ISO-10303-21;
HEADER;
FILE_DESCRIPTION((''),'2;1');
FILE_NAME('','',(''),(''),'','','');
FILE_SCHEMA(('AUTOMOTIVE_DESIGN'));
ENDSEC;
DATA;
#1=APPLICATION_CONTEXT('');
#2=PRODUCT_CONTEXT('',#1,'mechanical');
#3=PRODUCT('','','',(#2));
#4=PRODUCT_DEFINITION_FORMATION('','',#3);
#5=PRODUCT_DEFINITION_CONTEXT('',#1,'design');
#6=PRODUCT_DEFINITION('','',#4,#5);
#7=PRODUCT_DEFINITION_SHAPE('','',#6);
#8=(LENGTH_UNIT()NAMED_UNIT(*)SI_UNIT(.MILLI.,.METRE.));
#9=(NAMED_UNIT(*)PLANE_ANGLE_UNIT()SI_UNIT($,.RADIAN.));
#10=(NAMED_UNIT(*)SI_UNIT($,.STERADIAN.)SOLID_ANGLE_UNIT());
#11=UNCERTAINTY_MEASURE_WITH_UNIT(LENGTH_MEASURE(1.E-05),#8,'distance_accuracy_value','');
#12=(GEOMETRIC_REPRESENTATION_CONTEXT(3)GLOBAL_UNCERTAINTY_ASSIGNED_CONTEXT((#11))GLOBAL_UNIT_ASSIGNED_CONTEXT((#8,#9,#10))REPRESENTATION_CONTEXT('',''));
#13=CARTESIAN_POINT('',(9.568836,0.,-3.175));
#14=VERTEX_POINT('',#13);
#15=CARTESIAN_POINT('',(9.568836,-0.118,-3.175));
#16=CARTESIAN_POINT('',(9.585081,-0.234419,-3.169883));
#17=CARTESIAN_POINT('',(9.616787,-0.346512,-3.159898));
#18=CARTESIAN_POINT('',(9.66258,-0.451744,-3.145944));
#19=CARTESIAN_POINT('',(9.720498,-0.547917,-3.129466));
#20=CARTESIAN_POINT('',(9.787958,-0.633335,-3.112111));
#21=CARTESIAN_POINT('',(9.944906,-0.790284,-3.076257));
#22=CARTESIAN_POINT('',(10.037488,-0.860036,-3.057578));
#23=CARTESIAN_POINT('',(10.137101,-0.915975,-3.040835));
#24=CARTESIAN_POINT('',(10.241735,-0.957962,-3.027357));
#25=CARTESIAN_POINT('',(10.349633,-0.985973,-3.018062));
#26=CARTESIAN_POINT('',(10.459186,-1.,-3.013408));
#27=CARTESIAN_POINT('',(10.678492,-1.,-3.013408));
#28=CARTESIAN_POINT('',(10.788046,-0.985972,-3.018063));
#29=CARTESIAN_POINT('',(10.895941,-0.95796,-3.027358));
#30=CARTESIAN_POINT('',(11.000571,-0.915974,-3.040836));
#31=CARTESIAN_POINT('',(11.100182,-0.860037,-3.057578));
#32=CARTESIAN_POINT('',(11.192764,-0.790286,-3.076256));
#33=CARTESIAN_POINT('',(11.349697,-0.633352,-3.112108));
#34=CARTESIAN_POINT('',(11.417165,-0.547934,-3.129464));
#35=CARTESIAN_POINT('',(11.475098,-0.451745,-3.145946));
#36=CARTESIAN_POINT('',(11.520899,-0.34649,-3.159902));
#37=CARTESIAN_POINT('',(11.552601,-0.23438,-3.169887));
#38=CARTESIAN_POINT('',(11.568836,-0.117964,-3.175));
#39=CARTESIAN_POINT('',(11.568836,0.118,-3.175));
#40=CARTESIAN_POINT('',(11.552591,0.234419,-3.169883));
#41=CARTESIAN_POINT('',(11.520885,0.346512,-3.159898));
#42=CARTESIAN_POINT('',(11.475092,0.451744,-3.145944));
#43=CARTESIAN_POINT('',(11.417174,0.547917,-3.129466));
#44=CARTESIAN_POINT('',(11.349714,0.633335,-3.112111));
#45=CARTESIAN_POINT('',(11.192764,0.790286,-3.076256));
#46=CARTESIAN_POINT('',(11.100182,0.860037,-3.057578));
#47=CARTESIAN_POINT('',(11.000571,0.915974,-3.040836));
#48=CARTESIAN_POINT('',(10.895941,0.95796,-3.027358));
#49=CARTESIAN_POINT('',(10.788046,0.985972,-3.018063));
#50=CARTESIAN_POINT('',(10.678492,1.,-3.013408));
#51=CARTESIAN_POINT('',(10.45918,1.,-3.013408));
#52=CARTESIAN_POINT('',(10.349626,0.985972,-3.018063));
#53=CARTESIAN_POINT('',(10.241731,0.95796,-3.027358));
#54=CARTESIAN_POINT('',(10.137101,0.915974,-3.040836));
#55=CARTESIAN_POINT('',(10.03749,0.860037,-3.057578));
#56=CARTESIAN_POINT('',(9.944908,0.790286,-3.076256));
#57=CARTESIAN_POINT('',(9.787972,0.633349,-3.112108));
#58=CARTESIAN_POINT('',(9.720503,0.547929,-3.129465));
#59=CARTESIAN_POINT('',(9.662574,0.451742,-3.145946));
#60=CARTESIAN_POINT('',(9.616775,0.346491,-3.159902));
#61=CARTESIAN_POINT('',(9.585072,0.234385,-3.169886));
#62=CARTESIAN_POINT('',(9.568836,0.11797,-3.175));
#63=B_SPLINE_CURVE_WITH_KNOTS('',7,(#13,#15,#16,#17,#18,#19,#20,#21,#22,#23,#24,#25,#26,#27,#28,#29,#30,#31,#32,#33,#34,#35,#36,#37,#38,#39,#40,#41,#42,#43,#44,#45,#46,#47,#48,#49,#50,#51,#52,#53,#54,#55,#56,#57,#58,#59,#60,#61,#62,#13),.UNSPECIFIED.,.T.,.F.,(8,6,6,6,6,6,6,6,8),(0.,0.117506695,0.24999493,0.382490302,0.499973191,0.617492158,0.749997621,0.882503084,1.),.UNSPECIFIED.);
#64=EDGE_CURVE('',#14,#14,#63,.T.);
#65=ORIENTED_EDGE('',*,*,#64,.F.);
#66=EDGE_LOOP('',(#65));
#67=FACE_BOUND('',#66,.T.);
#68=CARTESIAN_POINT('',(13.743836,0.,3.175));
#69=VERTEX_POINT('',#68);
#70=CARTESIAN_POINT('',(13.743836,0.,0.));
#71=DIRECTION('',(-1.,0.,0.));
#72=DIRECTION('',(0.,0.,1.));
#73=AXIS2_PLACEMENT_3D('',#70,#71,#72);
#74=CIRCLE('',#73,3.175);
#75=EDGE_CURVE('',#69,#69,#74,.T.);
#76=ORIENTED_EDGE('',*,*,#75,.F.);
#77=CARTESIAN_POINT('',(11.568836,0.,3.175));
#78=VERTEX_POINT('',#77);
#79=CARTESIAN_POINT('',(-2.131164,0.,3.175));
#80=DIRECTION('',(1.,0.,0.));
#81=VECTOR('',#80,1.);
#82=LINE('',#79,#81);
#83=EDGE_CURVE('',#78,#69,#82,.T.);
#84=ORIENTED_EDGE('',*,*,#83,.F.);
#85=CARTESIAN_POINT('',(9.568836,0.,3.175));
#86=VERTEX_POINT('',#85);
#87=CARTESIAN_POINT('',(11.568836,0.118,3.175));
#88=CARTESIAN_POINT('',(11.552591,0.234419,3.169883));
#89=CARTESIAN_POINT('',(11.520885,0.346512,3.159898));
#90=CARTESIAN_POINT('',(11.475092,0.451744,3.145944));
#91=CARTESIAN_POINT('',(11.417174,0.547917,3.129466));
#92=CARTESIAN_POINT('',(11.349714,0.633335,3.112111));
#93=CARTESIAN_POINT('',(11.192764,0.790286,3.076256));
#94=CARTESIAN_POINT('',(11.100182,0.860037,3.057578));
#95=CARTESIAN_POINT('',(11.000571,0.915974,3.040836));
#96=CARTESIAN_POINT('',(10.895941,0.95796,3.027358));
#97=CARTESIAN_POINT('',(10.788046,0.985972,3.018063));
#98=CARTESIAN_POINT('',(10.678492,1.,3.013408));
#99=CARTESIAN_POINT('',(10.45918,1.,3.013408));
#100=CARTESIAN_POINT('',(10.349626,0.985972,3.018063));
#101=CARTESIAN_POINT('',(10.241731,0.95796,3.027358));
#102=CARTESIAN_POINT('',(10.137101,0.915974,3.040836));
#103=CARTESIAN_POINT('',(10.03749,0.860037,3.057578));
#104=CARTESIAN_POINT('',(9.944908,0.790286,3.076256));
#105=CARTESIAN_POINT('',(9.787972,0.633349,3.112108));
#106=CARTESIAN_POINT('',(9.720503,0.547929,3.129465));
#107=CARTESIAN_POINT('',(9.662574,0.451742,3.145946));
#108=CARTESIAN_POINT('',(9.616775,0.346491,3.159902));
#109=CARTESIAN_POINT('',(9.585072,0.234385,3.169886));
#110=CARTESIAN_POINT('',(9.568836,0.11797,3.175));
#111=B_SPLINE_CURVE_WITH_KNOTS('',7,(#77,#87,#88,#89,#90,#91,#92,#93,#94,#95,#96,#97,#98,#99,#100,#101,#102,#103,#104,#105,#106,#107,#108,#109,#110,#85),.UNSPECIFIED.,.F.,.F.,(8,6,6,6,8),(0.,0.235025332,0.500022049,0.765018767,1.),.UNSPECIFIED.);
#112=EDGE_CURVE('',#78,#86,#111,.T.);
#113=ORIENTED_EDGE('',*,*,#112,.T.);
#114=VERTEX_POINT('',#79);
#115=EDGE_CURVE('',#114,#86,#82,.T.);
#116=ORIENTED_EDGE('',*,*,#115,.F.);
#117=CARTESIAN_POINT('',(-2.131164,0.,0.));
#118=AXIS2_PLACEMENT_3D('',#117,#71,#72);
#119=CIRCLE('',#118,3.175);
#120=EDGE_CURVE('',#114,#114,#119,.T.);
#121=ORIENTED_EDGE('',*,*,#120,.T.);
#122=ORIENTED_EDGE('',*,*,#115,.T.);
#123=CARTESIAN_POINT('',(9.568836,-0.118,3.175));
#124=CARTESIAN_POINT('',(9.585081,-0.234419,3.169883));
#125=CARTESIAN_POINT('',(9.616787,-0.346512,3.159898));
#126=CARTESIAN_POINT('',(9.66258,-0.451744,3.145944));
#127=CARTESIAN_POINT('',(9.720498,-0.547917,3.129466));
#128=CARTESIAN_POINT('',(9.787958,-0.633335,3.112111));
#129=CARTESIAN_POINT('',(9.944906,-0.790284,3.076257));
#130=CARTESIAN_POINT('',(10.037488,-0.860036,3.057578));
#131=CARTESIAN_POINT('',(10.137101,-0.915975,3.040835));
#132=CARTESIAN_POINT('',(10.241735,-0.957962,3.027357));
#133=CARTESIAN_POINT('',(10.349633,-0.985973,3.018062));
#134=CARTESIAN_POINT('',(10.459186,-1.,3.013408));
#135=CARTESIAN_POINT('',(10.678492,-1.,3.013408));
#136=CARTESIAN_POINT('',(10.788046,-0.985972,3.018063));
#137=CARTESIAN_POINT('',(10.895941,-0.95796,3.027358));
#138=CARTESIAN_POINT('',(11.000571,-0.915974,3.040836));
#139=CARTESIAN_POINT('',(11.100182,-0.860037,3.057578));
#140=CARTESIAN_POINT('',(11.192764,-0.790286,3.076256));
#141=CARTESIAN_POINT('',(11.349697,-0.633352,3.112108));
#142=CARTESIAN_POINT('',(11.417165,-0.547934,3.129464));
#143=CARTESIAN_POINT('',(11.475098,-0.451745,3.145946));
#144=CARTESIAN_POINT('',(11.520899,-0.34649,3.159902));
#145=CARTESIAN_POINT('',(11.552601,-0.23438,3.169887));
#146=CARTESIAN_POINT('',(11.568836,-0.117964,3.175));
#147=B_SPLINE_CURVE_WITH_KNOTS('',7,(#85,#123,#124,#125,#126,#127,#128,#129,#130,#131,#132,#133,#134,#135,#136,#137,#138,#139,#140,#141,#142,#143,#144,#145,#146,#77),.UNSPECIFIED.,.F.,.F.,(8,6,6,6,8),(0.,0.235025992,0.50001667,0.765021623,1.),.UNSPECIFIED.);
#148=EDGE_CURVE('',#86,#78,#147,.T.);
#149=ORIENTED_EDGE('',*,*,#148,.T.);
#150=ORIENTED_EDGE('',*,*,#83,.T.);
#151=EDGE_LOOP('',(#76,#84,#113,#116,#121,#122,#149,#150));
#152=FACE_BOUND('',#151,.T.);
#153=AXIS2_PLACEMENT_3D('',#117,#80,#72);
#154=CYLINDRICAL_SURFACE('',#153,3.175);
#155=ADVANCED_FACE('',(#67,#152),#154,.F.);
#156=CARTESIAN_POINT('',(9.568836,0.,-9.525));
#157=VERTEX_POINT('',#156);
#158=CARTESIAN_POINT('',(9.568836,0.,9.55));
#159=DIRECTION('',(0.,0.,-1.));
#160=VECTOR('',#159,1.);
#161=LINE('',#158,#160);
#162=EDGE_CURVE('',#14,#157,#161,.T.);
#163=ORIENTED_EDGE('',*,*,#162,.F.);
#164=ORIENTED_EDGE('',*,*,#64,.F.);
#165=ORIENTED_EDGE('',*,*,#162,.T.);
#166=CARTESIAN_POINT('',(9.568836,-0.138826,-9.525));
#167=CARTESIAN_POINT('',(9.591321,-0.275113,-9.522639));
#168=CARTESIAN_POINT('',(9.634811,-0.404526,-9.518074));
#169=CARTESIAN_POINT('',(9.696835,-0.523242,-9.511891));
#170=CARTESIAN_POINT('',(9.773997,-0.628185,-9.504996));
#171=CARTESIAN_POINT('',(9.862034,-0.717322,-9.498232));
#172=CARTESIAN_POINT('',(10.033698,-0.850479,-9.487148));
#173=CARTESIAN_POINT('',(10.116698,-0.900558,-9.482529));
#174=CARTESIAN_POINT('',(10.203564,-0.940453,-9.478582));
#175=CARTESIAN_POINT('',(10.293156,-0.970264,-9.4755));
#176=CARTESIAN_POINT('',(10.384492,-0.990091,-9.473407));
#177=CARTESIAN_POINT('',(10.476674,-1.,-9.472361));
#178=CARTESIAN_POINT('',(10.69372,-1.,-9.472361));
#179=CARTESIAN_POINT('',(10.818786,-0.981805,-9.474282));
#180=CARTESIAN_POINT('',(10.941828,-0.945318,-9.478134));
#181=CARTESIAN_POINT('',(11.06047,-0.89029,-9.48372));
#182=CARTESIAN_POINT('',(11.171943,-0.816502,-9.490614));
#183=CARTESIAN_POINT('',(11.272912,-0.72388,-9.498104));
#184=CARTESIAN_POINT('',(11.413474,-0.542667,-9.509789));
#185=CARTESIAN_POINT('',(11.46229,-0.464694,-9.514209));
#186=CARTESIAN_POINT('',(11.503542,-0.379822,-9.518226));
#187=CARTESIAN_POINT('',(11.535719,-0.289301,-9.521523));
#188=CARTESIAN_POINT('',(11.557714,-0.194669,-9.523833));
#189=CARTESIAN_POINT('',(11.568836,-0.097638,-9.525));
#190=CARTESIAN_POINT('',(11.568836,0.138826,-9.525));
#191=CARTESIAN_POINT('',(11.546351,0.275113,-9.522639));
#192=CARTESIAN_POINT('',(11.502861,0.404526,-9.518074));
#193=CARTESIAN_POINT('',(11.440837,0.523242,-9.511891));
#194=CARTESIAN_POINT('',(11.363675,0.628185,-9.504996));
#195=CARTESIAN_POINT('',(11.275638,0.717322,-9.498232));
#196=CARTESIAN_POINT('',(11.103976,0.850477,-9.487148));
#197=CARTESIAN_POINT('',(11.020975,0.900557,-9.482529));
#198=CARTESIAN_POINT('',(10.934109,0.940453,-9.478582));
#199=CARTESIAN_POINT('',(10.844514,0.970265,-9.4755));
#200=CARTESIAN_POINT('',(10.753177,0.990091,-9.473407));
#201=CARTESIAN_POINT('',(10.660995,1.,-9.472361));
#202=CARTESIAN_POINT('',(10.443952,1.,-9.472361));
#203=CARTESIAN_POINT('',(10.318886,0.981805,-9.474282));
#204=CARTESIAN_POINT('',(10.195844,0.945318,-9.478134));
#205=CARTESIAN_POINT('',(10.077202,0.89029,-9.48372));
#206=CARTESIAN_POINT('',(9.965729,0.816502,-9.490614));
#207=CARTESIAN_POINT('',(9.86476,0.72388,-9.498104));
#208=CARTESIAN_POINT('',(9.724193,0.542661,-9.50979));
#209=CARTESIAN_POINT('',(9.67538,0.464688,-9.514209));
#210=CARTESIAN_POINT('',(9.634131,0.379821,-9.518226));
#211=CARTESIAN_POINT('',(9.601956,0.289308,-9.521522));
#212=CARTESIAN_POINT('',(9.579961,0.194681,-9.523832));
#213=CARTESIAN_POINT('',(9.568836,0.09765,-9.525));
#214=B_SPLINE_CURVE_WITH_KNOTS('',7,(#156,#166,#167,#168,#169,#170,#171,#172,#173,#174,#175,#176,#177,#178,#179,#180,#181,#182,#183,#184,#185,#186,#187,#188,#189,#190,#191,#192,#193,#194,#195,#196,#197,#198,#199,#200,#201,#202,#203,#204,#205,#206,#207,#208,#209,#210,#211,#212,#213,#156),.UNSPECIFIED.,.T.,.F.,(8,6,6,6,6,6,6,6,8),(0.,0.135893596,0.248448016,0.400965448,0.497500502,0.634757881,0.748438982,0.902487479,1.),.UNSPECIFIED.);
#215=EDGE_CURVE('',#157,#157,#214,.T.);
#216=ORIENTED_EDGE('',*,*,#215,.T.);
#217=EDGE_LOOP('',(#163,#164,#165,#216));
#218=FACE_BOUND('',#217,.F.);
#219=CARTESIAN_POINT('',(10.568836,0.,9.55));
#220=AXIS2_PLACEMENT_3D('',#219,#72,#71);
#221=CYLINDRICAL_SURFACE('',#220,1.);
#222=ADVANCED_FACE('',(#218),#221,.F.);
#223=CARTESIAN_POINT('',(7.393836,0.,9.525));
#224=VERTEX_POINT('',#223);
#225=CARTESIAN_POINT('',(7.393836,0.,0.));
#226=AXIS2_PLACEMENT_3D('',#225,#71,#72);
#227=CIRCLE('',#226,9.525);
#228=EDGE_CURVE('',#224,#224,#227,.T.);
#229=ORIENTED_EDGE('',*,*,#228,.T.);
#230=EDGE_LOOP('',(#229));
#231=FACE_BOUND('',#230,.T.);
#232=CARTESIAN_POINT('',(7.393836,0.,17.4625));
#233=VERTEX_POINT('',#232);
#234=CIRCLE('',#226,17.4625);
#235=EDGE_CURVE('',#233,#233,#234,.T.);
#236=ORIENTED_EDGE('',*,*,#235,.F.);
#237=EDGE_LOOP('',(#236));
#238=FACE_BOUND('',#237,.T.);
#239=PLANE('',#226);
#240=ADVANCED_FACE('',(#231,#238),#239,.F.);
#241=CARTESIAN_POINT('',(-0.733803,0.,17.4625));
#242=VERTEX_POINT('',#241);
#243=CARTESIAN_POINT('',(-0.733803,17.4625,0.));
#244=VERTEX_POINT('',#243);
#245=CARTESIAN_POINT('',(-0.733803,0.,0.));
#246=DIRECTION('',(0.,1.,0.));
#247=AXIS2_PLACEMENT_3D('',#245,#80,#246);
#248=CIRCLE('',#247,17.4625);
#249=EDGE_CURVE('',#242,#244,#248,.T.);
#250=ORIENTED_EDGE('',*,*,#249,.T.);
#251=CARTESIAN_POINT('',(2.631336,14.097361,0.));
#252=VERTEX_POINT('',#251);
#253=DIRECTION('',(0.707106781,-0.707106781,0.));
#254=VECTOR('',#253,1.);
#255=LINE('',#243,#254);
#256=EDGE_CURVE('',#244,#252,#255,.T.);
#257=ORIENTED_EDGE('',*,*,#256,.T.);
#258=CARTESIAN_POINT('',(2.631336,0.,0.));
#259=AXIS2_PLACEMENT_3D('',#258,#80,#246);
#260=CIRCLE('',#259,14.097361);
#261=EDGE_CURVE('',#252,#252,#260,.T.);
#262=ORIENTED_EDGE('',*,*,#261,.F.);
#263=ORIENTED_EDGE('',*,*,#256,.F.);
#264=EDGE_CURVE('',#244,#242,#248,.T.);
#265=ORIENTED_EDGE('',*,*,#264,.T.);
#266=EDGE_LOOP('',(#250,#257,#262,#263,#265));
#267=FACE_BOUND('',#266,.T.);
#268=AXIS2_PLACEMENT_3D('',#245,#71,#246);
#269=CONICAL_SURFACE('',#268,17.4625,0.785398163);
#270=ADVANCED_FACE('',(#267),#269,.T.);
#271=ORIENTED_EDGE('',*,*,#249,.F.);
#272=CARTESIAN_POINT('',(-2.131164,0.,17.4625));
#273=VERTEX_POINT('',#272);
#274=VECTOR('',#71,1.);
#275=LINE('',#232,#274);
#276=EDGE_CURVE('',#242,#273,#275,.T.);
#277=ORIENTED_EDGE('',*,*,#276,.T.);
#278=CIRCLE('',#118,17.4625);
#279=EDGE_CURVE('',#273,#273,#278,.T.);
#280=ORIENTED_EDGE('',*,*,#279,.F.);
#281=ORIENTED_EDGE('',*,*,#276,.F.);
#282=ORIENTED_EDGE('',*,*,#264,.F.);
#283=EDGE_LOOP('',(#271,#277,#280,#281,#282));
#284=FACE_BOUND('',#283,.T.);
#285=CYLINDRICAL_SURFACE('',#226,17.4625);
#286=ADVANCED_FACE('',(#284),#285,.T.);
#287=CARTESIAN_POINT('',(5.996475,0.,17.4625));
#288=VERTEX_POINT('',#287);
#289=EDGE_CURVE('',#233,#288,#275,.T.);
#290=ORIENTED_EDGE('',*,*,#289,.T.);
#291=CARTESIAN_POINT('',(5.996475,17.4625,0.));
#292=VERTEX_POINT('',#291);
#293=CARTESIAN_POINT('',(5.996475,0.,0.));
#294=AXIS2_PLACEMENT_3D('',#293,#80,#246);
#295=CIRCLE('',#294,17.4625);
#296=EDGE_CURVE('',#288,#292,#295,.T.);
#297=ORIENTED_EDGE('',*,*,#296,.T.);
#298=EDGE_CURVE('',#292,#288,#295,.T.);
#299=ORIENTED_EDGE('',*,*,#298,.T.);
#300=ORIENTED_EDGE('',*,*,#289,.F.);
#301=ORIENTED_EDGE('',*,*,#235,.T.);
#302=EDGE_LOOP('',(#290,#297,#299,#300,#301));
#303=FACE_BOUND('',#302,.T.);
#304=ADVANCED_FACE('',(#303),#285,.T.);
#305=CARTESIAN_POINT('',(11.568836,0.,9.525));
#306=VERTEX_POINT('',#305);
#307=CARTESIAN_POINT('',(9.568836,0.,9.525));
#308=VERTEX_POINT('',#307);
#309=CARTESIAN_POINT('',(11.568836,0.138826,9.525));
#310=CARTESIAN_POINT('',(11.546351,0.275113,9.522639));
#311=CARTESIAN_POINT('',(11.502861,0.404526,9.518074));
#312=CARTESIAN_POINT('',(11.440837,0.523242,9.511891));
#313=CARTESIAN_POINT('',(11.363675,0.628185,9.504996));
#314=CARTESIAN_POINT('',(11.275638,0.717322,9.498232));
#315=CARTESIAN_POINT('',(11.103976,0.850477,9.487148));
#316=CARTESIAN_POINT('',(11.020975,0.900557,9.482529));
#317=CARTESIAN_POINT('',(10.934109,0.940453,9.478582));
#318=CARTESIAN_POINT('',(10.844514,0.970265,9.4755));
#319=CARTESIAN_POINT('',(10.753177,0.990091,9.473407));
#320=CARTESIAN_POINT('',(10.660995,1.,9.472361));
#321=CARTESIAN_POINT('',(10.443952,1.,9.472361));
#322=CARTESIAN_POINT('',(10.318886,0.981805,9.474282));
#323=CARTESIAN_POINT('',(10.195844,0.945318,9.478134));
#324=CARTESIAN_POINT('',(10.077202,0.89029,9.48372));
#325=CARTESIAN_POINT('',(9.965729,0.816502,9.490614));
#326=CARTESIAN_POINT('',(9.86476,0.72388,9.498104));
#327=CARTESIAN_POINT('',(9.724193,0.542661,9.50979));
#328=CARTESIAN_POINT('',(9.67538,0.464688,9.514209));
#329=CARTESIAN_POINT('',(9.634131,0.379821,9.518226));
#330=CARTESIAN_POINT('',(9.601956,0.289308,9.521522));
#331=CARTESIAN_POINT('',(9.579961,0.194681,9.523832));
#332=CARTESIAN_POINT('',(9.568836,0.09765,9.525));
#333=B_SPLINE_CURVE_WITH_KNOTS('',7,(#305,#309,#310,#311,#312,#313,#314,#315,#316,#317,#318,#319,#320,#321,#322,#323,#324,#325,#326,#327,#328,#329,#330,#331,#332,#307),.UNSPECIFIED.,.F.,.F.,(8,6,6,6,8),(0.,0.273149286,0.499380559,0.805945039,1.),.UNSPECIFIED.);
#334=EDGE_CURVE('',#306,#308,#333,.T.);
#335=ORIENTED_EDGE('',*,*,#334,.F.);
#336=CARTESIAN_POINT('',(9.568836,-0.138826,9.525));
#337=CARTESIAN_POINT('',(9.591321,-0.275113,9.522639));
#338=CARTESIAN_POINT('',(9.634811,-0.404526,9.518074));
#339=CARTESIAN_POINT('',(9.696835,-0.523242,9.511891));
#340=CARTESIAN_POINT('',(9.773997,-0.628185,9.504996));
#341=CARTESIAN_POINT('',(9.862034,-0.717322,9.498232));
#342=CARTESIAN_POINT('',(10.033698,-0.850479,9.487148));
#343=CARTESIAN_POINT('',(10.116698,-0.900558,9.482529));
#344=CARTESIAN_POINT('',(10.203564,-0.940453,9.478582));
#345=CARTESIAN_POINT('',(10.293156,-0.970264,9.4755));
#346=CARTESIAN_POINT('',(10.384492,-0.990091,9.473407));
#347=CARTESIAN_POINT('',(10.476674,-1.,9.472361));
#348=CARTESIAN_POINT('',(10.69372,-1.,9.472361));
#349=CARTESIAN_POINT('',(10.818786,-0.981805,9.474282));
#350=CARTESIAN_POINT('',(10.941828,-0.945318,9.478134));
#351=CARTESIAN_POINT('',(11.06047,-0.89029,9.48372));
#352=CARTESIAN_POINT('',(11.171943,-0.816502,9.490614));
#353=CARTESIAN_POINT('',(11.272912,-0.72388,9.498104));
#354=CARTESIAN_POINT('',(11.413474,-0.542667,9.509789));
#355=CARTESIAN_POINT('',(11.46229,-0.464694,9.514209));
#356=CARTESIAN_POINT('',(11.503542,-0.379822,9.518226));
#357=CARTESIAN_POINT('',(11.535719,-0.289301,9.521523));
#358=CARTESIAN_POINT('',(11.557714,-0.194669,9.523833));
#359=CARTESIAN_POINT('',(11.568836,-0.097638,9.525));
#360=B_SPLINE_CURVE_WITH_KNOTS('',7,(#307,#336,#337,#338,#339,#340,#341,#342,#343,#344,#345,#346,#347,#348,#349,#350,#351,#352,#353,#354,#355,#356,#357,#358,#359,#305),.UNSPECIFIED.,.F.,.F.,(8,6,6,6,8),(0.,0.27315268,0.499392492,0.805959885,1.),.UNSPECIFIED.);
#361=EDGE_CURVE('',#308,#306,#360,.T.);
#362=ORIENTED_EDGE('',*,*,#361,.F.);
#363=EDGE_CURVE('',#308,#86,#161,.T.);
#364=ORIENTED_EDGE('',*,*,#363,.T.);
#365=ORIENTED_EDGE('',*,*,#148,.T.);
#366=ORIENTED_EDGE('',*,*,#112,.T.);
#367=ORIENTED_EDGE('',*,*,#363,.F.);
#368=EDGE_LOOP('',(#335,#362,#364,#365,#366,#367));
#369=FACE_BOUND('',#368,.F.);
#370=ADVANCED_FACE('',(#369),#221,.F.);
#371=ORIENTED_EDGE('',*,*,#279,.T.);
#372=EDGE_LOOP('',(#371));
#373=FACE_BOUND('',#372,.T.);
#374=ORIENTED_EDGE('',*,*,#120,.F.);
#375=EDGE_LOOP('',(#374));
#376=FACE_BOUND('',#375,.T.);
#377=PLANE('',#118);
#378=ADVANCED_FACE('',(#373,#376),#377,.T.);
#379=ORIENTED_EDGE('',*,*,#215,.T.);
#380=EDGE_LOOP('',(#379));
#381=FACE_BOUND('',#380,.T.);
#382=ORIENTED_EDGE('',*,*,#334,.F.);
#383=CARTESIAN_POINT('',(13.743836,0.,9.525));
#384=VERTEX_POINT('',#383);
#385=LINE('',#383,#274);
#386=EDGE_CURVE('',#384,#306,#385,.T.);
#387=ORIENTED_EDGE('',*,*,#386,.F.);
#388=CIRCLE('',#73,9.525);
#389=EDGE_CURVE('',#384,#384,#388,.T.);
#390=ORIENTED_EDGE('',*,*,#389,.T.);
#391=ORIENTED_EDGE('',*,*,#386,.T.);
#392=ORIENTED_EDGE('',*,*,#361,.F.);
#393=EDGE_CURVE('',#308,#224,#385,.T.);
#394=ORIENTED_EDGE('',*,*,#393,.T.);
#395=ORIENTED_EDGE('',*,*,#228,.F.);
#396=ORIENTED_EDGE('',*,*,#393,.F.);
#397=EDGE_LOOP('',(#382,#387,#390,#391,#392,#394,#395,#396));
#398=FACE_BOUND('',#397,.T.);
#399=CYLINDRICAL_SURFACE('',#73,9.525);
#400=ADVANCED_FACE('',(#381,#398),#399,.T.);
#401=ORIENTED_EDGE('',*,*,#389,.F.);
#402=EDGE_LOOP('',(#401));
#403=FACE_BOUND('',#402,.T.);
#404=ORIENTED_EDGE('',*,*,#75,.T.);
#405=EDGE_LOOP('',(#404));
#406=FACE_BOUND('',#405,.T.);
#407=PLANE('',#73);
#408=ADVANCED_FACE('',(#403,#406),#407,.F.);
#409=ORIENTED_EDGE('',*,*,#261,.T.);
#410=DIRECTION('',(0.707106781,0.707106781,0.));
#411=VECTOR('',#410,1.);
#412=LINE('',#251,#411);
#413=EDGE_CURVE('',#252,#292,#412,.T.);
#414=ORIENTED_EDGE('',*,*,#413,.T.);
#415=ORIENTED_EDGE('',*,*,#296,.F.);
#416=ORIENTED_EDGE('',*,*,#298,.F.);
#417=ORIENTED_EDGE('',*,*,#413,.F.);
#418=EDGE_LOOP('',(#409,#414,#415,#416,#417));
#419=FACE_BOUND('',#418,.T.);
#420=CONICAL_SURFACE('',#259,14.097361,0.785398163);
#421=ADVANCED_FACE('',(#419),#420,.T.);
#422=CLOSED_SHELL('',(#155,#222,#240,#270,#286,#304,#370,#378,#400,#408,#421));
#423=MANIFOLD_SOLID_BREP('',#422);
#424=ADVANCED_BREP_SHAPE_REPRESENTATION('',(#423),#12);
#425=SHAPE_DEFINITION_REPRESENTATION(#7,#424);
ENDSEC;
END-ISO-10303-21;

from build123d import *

# Parameters (mm, degrees)
F4_DEPTH = 27.0135


with BuildPart() as f1:
    # F0 (on Front) → F1 (revolve)
    with BuildSketch(Plane.XZ):
        Polygon((-2.131164, 3.175), (13.743836, 3.175), (13.743836, 9.525), (7.393836, 9.525), (7.393836, 17.4625), (-2.131164, 17.4625), align=None)
    revolve(axis=Axis((-0.144044, 0, 0), (-1, 0, 0)))

    # F3 (on offset) → F4 (cut, through all)
    with BuildSketch(Plane.XY.offset(9.55)):
        with BuildLine():
            Line((9.568836, 0), (11.568836, 0))
            ThreePointArc((11.568836, 0), (10.568836, 1), (9.568836, 0))
        make_face()
        with BuildLine():
            ThreePointArc((9.568836, 0), (10.568836, -1), (11.568836, 0))
            Line((11.568836, 0), (9.568836, 0))
        make_face()
    extrude(amount=-F4_DEPTH, mode=Mode.SUBTRACT)

    # F6 (on Top) → F7 (revolve, cut)
    with BuildSketch(Plane.XY):
        Polygon((5.996475, 17.4625), (-0.733803, 17.4625), (2.631336, 14.097361), align=None)
    revolve(axis=Axis((5.807324, 0, 0), (1, 0, 0)), mode=Mode.SUBTRACT)


solid = f1.part
